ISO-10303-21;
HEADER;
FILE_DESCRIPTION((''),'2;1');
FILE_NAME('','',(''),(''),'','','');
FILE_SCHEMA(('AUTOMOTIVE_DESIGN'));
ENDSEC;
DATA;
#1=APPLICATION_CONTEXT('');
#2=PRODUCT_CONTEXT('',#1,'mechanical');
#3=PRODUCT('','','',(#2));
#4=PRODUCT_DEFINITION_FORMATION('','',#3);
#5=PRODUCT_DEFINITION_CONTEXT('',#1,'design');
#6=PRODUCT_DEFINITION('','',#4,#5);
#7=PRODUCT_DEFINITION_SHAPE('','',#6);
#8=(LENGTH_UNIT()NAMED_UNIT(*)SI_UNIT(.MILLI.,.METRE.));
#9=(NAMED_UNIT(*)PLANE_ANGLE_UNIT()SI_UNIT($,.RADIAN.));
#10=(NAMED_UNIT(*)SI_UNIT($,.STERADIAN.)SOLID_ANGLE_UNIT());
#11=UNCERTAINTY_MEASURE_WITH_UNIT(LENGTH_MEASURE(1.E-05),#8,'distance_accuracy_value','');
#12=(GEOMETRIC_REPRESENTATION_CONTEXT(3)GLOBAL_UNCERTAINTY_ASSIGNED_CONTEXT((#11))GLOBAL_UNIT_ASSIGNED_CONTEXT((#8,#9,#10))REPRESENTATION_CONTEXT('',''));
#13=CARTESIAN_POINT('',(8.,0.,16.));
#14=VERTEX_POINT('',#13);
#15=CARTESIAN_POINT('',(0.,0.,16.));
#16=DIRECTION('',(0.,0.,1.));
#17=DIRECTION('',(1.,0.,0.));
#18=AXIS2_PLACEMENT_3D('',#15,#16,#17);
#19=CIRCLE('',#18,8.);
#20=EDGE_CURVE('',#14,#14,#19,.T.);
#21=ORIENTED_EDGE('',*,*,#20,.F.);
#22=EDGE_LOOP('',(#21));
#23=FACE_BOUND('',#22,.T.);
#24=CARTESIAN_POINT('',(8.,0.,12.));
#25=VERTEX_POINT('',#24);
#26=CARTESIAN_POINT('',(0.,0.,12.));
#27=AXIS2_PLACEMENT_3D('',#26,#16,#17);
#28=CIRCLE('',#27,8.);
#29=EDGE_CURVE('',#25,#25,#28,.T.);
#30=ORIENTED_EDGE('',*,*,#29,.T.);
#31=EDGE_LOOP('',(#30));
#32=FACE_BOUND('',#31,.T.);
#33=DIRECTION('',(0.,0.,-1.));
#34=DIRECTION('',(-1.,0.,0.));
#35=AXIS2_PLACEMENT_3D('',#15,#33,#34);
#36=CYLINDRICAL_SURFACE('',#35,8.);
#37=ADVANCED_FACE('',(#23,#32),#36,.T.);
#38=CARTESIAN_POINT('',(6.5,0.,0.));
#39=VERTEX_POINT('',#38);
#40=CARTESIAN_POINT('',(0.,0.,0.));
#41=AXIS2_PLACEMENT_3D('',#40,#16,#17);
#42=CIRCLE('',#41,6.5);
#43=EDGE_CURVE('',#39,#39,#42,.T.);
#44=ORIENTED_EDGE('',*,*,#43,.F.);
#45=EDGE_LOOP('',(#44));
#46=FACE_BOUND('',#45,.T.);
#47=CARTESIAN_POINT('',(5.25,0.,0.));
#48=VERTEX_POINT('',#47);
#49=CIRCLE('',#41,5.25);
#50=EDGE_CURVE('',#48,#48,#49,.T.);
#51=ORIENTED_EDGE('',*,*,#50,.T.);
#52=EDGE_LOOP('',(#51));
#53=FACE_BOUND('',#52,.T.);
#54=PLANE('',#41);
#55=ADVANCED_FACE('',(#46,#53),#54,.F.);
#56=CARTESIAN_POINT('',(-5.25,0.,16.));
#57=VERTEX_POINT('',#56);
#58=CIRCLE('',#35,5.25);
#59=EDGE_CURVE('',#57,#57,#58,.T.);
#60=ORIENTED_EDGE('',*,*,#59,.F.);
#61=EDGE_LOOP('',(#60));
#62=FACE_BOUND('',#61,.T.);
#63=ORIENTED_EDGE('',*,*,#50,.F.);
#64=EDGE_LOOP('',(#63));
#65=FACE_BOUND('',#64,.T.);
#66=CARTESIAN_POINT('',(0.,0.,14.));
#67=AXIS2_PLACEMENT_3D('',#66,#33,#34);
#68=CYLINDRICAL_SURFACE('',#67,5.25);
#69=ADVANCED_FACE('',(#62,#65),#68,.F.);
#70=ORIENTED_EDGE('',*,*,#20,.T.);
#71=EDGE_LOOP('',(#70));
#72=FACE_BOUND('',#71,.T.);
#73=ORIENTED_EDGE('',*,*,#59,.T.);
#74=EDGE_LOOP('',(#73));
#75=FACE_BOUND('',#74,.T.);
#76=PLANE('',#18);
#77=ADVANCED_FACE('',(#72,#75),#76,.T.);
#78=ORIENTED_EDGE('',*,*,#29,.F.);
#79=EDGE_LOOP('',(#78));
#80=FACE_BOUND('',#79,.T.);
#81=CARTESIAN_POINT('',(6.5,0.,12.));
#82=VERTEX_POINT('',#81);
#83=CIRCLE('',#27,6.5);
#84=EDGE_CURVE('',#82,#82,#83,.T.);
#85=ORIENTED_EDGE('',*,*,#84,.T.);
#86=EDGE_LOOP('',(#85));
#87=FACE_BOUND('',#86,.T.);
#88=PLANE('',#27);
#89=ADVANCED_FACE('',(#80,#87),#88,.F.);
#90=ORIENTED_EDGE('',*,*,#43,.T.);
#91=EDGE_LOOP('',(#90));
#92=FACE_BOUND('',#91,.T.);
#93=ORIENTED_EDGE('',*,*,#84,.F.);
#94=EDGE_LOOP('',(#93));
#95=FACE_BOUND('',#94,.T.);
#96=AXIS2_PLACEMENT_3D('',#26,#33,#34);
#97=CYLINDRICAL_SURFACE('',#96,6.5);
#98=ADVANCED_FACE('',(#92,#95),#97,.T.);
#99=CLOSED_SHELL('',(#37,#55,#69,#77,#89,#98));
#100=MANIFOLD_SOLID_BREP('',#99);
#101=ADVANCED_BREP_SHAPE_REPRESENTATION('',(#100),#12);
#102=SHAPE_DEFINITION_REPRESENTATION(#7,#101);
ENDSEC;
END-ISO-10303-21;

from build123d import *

# Parameters (mm, degrees)
SKETCH1_R           = 6.5
BOSS_EXTRUDE1_DEPTH = 12
SKETCH2_R           = 5.25
CUT_EXTRUDE1_DEPTH  = 14
SKETCH4_R           = 8
BOSS_EXTRUDE2_DEPTH = 4
SKETCH5_R           = 5.25
CUT_EXTRUDE2_DEPTH  = 17.492422502


with BuildPart() as part:
    # Sketch1 → Boss-Extrude1 (new body)
    with BuildSketch(Plane.XY):
        Circle(SKETCH1_R)
    extrude(amount=BOSS_EXTRUDE1_DEPTH)

    # Sketch2 → Cut-Extrude1 (cut)
    with BuildSketch(Plane.XY):
        Circle(SKETCH2_R)
    extrude(amount=CUT_EXTRUDE1_DEPTH, mode=Mode.SUBTRACT)

    # Sketch4 → Boss-Extrude2 (add)
    with BuildSketch(Plane.XY.offset(12)):
        Circle(SKETCH4_R)
    extrude(amount=BOSS_EXTRUDE2_DEPTH)

    # Sketch5 → Cut-Extrude2 (cut, through all)
    with BuildSketch(Plane(origin=(0, 0, 12), x_dir=(-1, 0, 0), z_dir=(0, 0, -1))):
        Circle(SKETCH5_R)
    extrude(amount=-CUT_EXTRUDE2_DEPTH, mode=Mode.SUBTRACT)


solid = part.part
